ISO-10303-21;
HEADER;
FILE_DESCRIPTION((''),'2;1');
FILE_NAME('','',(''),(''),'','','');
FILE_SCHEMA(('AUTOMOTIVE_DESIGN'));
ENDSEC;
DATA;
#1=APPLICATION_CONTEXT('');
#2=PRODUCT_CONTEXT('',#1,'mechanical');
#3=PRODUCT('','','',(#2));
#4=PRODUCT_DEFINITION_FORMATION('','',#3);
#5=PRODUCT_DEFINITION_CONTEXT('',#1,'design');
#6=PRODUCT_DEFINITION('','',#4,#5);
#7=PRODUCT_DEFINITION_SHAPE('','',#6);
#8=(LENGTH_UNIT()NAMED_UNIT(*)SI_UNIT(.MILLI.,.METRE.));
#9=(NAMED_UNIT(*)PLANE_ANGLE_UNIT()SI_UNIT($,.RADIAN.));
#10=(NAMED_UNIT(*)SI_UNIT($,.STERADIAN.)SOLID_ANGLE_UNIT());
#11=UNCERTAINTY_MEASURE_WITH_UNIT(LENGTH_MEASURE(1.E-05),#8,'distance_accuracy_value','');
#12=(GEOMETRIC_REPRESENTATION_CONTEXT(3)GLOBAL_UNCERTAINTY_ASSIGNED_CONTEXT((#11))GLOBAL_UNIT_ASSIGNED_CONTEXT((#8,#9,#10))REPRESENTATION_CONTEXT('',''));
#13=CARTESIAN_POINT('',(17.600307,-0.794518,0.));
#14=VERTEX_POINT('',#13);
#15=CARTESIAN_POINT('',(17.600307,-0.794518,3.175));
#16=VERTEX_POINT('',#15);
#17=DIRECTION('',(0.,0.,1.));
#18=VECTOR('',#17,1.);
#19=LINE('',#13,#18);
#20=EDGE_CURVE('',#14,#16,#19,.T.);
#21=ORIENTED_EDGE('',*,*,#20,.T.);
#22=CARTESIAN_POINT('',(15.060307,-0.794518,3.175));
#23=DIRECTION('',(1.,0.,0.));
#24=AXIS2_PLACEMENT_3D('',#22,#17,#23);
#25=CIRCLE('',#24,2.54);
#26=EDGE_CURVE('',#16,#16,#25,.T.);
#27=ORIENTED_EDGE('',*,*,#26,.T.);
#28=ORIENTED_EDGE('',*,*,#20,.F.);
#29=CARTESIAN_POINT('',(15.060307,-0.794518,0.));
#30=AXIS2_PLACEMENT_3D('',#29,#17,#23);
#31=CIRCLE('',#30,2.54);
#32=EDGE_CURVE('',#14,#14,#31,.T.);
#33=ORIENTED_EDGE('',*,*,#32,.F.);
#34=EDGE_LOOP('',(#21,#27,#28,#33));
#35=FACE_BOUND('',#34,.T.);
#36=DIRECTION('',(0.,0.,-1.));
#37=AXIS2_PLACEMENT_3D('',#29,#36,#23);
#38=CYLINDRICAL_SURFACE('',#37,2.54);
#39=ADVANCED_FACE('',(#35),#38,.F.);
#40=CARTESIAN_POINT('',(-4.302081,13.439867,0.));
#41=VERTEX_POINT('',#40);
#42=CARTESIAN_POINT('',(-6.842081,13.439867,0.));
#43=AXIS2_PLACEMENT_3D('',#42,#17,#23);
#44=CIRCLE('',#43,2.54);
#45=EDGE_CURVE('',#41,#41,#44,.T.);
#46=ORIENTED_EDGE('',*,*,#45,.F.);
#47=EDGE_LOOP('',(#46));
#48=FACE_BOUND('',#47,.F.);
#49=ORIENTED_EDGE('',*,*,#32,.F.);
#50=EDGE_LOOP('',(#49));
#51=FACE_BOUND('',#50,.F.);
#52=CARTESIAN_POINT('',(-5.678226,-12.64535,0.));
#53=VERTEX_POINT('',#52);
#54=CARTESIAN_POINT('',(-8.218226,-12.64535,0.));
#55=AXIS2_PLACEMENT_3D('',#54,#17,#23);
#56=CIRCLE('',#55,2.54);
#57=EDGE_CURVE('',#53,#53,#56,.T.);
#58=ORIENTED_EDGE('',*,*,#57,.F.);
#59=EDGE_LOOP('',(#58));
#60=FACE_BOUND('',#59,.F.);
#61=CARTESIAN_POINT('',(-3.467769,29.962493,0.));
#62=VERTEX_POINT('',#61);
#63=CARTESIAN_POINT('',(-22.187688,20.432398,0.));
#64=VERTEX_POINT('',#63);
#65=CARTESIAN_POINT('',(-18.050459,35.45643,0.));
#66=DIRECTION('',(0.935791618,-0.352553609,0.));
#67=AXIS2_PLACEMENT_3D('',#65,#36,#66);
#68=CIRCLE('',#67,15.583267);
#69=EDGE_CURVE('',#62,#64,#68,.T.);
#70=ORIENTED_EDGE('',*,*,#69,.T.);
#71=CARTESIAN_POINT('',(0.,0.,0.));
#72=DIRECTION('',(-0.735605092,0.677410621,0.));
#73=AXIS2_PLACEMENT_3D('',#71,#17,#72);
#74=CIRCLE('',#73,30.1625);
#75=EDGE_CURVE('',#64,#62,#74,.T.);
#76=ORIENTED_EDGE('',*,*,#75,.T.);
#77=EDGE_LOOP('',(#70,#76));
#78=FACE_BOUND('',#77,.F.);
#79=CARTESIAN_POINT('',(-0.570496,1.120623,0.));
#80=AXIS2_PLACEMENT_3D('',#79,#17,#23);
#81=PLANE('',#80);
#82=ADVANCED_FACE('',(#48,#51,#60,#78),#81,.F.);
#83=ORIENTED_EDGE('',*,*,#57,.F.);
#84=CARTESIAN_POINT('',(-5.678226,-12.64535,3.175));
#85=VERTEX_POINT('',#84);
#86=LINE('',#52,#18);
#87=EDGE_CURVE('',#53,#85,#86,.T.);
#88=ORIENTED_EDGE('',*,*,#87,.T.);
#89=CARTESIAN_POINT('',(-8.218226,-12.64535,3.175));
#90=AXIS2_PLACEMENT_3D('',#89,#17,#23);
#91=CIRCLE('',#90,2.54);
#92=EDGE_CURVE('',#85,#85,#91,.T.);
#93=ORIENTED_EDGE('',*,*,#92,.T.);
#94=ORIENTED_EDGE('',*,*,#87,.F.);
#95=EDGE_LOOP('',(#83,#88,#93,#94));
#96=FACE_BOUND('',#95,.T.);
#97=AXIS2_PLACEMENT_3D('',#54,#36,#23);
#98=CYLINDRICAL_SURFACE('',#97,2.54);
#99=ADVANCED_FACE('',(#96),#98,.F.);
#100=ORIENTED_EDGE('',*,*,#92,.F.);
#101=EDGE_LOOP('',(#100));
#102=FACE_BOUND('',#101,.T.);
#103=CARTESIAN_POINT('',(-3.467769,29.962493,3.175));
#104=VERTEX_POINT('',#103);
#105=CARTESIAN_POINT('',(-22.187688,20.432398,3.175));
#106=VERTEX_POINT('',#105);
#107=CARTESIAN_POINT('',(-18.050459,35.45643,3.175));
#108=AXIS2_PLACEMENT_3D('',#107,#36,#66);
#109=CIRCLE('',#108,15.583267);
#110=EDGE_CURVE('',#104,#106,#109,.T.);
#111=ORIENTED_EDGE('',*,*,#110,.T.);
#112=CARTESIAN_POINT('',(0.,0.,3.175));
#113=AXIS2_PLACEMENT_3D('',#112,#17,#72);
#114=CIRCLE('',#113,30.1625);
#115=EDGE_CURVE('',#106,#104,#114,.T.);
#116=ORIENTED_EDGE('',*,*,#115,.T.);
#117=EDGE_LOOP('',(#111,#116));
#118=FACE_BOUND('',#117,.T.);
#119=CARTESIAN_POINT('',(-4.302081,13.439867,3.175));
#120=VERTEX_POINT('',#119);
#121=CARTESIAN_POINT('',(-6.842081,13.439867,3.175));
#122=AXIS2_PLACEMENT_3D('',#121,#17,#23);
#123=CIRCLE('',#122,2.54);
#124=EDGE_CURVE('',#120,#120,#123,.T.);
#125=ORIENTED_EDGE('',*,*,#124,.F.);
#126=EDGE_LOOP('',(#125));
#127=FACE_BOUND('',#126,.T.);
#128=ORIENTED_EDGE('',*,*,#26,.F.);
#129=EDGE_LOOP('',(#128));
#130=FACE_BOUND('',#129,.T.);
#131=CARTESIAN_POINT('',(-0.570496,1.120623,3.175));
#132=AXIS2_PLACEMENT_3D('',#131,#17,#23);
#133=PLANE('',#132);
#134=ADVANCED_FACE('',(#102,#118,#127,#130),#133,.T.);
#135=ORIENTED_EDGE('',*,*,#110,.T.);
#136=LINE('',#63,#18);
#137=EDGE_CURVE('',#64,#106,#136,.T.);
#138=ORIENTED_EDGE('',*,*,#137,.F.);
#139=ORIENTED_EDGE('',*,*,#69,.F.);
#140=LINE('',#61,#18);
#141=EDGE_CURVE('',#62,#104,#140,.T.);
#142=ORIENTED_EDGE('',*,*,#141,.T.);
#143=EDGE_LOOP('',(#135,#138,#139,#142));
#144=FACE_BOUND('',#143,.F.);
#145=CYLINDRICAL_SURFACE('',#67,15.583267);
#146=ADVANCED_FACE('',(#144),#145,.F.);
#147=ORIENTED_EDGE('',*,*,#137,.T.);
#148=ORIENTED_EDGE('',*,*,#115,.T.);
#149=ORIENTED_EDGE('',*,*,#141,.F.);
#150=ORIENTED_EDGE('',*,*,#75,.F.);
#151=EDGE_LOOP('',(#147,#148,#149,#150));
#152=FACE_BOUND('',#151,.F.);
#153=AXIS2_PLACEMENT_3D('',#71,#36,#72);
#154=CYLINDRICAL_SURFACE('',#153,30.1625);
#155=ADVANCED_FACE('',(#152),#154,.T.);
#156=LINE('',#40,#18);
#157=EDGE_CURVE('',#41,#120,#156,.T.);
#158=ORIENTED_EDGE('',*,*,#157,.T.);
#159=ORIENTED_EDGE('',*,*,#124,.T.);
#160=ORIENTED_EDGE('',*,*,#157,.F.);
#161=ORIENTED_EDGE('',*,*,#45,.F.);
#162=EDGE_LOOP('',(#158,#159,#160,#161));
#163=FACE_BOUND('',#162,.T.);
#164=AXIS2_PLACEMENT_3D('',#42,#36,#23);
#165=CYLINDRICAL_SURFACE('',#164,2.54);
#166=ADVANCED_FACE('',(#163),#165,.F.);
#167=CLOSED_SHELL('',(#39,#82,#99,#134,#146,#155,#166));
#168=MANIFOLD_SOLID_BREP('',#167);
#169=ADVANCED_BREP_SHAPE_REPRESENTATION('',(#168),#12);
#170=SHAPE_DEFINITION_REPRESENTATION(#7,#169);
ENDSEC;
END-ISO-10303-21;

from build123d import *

# Parameters (mm, degrees)
F0_R     = 2.54
F1_DEPTH = 3.175


with BuildPart() as f1:
    # F0 (on Top) → F1 (new body)
    with BuildSketch(Plane.XY):
        with BuildLine():
            ThreePointArc((-3.467769, 29.962493), (-10.980622, 21.569184), (-22.187688, 20.432398))
            ThreePointArc((-22.187688, 20.432398), (13.684162, -26.879734), (-3.467769, 29.962493))
        make_face()
        with Locations((-8.218226, -12.64535)):
            Circle(F0_R, mode=Mode.SUBTRACT)
        with Locations((15.060307, -0.794518)):
            Circle(F0_R, mode=Mode.SUBTRACT)
        with Locations((-6.842081, 13.439867)):
            Circle(F0_R, mode=Mode.SUBTRACT)
    extrude(amount=F1_DEPTH)


solid = f1.part
